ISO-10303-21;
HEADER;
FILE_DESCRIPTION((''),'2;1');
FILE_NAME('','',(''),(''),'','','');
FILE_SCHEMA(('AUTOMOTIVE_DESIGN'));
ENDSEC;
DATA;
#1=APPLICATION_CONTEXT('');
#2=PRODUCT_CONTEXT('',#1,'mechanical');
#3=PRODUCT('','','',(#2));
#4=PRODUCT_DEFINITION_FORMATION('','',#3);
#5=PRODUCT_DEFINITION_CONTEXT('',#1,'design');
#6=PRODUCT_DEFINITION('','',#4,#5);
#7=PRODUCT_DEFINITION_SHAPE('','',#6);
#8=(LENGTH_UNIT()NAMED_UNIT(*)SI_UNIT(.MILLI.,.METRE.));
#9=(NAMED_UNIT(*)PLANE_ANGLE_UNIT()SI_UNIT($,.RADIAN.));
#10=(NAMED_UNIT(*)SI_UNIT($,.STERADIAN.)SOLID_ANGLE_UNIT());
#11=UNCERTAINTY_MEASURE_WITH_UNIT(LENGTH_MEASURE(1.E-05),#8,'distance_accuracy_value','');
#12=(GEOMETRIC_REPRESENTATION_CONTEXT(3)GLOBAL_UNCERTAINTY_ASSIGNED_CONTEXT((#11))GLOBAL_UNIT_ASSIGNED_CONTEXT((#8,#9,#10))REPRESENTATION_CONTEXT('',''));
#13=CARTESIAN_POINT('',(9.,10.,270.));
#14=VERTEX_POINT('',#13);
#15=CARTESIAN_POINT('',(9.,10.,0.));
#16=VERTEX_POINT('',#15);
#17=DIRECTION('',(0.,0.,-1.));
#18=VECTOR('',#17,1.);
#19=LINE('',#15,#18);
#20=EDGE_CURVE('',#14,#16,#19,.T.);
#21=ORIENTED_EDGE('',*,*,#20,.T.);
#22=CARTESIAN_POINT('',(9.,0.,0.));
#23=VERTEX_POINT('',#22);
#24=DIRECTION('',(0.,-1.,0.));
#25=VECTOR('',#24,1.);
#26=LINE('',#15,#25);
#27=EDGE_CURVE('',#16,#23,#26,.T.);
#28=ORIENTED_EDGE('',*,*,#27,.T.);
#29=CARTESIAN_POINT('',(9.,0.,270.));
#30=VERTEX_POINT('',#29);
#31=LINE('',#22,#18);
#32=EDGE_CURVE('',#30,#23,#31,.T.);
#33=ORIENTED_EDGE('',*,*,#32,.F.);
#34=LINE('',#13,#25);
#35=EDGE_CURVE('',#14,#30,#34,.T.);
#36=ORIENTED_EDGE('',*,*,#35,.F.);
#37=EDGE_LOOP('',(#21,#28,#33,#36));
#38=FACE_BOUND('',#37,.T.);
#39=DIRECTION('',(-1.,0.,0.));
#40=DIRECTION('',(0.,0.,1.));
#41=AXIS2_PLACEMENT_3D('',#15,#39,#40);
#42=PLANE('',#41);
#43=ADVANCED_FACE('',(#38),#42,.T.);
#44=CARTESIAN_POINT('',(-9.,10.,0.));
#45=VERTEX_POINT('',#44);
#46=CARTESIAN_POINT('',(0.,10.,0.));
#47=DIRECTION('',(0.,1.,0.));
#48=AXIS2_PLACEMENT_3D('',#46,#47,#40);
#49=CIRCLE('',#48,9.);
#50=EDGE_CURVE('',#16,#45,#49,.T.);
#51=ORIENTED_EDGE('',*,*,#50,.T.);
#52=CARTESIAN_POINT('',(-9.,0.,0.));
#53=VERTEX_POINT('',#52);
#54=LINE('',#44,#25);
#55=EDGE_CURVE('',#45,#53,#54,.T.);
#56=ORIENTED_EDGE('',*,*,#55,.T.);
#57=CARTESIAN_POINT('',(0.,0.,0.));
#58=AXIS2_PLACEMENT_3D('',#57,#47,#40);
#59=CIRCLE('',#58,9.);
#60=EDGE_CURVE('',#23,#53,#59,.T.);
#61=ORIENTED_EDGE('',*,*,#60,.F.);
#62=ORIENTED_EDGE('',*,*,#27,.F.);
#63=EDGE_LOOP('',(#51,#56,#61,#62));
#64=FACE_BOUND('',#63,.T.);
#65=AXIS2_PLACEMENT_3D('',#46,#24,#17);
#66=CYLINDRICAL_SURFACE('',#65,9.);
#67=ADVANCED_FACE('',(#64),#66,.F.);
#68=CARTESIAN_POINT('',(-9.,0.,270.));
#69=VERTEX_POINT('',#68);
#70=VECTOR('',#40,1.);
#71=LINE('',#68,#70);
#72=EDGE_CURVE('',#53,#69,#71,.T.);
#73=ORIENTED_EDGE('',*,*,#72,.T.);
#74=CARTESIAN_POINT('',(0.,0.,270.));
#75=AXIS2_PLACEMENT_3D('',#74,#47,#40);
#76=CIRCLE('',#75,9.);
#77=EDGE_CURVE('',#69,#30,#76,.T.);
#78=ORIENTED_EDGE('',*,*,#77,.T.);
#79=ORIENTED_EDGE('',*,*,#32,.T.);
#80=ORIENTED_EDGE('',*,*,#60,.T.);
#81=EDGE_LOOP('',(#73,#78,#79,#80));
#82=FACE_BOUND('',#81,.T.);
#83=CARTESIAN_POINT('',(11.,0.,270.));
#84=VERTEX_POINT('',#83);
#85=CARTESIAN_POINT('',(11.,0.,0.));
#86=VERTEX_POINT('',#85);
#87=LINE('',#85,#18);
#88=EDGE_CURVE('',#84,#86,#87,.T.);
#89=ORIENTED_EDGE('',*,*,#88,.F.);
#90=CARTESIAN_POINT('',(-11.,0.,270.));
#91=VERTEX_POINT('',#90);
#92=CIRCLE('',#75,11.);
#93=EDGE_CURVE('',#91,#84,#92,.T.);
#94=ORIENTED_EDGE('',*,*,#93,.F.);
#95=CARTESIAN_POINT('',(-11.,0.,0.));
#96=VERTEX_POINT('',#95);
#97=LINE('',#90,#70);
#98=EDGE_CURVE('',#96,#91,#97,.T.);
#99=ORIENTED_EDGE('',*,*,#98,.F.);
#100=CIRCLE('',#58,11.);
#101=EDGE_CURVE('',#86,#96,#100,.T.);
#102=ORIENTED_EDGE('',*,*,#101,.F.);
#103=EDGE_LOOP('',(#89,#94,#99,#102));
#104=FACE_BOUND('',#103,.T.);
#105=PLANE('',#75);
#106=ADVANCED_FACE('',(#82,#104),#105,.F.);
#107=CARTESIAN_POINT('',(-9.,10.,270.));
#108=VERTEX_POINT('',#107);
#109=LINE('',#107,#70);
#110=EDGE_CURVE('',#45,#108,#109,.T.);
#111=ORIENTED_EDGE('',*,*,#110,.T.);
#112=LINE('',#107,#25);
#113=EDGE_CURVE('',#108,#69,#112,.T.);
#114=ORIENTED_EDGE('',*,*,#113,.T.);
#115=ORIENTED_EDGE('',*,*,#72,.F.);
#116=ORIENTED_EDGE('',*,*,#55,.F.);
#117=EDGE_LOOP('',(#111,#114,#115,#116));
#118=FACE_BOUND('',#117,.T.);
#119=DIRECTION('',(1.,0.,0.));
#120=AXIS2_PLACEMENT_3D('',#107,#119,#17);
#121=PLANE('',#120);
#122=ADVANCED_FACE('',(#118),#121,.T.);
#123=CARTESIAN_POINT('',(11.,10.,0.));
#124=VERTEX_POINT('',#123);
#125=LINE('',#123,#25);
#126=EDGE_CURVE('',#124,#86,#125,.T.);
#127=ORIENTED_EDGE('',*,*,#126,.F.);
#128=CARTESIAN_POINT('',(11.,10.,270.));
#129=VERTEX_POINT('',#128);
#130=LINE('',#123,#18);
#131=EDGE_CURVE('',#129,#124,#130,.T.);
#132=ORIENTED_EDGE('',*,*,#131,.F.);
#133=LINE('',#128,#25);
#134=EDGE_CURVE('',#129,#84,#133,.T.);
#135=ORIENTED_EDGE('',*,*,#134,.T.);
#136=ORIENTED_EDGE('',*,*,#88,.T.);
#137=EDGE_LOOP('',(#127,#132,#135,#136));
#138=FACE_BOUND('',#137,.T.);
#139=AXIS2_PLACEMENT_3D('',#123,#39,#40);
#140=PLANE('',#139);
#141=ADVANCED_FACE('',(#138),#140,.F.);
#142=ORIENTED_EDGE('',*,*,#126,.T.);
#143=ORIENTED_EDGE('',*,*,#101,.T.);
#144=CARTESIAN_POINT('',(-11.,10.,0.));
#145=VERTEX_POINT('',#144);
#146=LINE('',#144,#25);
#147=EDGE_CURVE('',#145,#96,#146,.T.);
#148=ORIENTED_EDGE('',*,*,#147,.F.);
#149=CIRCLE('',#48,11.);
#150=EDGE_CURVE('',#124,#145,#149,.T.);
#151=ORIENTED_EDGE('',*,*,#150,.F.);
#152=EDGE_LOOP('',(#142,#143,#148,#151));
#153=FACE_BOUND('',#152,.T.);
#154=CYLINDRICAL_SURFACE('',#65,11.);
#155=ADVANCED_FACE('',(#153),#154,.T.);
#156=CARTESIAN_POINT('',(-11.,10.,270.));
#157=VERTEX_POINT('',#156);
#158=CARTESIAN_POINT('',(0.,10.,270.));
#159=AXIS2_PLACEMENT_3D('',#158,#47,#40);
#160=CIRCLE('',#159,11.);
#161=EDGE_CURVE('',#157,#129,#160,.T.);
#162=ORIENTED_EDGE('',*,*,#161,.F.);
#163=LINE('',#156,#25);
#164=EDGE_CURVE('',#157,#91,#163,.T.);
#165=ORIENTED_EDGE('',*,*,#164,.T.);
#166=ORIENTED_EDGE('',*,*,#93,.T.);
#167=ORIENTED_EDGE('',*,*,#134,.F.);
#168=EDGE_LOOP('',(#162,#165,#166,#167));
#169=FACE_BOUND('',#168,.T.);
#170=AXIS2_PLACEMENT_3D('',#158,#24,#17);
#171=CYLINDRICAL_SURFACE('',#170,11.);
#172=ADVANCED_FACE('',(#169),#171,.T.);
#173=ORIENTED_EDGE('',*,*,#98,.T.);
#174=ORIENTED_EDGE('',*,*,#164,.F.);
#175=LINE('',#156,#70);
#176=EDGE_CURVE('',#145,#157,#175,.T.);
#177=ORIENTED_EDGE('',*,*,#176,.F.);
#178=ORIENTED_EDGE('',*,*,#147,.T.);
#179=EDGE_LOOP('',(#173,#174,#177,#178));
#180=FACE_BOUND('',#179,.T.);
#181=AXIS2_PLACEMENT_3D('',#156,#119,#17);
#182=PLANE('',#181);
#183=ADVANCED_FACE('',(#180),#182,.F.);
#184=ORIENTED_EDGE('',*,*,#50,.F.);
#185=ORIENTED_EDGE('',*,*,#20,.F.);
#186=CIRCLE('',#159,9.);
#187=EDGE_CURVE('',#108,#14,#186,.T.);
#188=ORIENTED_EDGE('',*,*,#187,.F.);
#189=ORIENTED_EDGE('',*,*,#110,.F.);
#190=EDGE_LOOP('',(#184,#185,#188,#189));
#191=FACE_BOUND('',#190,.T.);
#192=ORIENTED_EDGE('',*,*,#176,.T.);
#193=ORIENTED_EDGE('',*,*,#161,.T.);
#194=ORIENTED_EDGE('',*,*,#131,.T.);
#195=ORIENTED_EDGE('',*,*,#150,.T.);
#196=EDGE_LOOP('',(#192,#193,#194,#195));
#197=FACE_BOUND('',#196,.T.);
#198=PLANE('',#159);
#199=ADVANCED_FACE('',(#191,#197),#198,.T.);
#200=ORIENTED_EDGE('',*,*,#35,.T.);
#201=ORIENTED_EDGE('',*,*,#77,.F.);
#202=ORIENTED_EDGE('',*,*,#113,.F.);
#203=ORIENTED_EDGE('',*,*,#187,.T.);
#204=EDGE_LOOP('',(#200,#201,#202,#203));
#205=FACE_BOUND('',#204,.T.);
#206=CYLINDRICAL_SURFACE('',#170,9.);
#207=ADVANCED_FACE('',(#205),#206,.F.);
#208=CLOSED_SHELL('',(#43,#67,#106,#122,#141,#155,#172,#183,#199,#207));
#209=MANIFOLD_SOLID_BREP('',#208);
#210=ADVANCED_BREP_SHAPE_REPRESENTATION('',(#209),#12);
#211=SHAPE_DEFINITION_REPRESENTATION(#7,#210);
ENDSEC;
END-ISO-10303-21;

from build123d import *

# Parameters (mm, degrees)
BOSS_EXTRUDE1_DEPTH = 10


with BuildPart() as part:
    # Sketch1 → Boss-Extrude1 (new body)
    with BuildSketch(Plane(origin=(0, 0, 0), x_dir=(1, 0, 0), z_dir=(0, 1, 0))):
        with BuildLine():
            Line((-11, -270), (-11, 0))
            ThreePointArc((-11, 0), (0, 11), (11, 0))
            Line((11, 0), (11, -270))
            ThreePointArc((11, -270), (0, -281), (-11, -270))
        make_face()
        with BuildLine():
            Line((-9, -270), (-9, 0))
            ThreePointArc((-9, 0), (0, 9), (9, 0))
            Line((9, 0), (9, -270))
            ThreePointArc((9, -270), (0, -279), (-9, -270))
        make_face(mode=Mode.SUBTRACT)
    extrude(amount=BOSS_EXTRUDE1_DEPTH)


solid = part.part
